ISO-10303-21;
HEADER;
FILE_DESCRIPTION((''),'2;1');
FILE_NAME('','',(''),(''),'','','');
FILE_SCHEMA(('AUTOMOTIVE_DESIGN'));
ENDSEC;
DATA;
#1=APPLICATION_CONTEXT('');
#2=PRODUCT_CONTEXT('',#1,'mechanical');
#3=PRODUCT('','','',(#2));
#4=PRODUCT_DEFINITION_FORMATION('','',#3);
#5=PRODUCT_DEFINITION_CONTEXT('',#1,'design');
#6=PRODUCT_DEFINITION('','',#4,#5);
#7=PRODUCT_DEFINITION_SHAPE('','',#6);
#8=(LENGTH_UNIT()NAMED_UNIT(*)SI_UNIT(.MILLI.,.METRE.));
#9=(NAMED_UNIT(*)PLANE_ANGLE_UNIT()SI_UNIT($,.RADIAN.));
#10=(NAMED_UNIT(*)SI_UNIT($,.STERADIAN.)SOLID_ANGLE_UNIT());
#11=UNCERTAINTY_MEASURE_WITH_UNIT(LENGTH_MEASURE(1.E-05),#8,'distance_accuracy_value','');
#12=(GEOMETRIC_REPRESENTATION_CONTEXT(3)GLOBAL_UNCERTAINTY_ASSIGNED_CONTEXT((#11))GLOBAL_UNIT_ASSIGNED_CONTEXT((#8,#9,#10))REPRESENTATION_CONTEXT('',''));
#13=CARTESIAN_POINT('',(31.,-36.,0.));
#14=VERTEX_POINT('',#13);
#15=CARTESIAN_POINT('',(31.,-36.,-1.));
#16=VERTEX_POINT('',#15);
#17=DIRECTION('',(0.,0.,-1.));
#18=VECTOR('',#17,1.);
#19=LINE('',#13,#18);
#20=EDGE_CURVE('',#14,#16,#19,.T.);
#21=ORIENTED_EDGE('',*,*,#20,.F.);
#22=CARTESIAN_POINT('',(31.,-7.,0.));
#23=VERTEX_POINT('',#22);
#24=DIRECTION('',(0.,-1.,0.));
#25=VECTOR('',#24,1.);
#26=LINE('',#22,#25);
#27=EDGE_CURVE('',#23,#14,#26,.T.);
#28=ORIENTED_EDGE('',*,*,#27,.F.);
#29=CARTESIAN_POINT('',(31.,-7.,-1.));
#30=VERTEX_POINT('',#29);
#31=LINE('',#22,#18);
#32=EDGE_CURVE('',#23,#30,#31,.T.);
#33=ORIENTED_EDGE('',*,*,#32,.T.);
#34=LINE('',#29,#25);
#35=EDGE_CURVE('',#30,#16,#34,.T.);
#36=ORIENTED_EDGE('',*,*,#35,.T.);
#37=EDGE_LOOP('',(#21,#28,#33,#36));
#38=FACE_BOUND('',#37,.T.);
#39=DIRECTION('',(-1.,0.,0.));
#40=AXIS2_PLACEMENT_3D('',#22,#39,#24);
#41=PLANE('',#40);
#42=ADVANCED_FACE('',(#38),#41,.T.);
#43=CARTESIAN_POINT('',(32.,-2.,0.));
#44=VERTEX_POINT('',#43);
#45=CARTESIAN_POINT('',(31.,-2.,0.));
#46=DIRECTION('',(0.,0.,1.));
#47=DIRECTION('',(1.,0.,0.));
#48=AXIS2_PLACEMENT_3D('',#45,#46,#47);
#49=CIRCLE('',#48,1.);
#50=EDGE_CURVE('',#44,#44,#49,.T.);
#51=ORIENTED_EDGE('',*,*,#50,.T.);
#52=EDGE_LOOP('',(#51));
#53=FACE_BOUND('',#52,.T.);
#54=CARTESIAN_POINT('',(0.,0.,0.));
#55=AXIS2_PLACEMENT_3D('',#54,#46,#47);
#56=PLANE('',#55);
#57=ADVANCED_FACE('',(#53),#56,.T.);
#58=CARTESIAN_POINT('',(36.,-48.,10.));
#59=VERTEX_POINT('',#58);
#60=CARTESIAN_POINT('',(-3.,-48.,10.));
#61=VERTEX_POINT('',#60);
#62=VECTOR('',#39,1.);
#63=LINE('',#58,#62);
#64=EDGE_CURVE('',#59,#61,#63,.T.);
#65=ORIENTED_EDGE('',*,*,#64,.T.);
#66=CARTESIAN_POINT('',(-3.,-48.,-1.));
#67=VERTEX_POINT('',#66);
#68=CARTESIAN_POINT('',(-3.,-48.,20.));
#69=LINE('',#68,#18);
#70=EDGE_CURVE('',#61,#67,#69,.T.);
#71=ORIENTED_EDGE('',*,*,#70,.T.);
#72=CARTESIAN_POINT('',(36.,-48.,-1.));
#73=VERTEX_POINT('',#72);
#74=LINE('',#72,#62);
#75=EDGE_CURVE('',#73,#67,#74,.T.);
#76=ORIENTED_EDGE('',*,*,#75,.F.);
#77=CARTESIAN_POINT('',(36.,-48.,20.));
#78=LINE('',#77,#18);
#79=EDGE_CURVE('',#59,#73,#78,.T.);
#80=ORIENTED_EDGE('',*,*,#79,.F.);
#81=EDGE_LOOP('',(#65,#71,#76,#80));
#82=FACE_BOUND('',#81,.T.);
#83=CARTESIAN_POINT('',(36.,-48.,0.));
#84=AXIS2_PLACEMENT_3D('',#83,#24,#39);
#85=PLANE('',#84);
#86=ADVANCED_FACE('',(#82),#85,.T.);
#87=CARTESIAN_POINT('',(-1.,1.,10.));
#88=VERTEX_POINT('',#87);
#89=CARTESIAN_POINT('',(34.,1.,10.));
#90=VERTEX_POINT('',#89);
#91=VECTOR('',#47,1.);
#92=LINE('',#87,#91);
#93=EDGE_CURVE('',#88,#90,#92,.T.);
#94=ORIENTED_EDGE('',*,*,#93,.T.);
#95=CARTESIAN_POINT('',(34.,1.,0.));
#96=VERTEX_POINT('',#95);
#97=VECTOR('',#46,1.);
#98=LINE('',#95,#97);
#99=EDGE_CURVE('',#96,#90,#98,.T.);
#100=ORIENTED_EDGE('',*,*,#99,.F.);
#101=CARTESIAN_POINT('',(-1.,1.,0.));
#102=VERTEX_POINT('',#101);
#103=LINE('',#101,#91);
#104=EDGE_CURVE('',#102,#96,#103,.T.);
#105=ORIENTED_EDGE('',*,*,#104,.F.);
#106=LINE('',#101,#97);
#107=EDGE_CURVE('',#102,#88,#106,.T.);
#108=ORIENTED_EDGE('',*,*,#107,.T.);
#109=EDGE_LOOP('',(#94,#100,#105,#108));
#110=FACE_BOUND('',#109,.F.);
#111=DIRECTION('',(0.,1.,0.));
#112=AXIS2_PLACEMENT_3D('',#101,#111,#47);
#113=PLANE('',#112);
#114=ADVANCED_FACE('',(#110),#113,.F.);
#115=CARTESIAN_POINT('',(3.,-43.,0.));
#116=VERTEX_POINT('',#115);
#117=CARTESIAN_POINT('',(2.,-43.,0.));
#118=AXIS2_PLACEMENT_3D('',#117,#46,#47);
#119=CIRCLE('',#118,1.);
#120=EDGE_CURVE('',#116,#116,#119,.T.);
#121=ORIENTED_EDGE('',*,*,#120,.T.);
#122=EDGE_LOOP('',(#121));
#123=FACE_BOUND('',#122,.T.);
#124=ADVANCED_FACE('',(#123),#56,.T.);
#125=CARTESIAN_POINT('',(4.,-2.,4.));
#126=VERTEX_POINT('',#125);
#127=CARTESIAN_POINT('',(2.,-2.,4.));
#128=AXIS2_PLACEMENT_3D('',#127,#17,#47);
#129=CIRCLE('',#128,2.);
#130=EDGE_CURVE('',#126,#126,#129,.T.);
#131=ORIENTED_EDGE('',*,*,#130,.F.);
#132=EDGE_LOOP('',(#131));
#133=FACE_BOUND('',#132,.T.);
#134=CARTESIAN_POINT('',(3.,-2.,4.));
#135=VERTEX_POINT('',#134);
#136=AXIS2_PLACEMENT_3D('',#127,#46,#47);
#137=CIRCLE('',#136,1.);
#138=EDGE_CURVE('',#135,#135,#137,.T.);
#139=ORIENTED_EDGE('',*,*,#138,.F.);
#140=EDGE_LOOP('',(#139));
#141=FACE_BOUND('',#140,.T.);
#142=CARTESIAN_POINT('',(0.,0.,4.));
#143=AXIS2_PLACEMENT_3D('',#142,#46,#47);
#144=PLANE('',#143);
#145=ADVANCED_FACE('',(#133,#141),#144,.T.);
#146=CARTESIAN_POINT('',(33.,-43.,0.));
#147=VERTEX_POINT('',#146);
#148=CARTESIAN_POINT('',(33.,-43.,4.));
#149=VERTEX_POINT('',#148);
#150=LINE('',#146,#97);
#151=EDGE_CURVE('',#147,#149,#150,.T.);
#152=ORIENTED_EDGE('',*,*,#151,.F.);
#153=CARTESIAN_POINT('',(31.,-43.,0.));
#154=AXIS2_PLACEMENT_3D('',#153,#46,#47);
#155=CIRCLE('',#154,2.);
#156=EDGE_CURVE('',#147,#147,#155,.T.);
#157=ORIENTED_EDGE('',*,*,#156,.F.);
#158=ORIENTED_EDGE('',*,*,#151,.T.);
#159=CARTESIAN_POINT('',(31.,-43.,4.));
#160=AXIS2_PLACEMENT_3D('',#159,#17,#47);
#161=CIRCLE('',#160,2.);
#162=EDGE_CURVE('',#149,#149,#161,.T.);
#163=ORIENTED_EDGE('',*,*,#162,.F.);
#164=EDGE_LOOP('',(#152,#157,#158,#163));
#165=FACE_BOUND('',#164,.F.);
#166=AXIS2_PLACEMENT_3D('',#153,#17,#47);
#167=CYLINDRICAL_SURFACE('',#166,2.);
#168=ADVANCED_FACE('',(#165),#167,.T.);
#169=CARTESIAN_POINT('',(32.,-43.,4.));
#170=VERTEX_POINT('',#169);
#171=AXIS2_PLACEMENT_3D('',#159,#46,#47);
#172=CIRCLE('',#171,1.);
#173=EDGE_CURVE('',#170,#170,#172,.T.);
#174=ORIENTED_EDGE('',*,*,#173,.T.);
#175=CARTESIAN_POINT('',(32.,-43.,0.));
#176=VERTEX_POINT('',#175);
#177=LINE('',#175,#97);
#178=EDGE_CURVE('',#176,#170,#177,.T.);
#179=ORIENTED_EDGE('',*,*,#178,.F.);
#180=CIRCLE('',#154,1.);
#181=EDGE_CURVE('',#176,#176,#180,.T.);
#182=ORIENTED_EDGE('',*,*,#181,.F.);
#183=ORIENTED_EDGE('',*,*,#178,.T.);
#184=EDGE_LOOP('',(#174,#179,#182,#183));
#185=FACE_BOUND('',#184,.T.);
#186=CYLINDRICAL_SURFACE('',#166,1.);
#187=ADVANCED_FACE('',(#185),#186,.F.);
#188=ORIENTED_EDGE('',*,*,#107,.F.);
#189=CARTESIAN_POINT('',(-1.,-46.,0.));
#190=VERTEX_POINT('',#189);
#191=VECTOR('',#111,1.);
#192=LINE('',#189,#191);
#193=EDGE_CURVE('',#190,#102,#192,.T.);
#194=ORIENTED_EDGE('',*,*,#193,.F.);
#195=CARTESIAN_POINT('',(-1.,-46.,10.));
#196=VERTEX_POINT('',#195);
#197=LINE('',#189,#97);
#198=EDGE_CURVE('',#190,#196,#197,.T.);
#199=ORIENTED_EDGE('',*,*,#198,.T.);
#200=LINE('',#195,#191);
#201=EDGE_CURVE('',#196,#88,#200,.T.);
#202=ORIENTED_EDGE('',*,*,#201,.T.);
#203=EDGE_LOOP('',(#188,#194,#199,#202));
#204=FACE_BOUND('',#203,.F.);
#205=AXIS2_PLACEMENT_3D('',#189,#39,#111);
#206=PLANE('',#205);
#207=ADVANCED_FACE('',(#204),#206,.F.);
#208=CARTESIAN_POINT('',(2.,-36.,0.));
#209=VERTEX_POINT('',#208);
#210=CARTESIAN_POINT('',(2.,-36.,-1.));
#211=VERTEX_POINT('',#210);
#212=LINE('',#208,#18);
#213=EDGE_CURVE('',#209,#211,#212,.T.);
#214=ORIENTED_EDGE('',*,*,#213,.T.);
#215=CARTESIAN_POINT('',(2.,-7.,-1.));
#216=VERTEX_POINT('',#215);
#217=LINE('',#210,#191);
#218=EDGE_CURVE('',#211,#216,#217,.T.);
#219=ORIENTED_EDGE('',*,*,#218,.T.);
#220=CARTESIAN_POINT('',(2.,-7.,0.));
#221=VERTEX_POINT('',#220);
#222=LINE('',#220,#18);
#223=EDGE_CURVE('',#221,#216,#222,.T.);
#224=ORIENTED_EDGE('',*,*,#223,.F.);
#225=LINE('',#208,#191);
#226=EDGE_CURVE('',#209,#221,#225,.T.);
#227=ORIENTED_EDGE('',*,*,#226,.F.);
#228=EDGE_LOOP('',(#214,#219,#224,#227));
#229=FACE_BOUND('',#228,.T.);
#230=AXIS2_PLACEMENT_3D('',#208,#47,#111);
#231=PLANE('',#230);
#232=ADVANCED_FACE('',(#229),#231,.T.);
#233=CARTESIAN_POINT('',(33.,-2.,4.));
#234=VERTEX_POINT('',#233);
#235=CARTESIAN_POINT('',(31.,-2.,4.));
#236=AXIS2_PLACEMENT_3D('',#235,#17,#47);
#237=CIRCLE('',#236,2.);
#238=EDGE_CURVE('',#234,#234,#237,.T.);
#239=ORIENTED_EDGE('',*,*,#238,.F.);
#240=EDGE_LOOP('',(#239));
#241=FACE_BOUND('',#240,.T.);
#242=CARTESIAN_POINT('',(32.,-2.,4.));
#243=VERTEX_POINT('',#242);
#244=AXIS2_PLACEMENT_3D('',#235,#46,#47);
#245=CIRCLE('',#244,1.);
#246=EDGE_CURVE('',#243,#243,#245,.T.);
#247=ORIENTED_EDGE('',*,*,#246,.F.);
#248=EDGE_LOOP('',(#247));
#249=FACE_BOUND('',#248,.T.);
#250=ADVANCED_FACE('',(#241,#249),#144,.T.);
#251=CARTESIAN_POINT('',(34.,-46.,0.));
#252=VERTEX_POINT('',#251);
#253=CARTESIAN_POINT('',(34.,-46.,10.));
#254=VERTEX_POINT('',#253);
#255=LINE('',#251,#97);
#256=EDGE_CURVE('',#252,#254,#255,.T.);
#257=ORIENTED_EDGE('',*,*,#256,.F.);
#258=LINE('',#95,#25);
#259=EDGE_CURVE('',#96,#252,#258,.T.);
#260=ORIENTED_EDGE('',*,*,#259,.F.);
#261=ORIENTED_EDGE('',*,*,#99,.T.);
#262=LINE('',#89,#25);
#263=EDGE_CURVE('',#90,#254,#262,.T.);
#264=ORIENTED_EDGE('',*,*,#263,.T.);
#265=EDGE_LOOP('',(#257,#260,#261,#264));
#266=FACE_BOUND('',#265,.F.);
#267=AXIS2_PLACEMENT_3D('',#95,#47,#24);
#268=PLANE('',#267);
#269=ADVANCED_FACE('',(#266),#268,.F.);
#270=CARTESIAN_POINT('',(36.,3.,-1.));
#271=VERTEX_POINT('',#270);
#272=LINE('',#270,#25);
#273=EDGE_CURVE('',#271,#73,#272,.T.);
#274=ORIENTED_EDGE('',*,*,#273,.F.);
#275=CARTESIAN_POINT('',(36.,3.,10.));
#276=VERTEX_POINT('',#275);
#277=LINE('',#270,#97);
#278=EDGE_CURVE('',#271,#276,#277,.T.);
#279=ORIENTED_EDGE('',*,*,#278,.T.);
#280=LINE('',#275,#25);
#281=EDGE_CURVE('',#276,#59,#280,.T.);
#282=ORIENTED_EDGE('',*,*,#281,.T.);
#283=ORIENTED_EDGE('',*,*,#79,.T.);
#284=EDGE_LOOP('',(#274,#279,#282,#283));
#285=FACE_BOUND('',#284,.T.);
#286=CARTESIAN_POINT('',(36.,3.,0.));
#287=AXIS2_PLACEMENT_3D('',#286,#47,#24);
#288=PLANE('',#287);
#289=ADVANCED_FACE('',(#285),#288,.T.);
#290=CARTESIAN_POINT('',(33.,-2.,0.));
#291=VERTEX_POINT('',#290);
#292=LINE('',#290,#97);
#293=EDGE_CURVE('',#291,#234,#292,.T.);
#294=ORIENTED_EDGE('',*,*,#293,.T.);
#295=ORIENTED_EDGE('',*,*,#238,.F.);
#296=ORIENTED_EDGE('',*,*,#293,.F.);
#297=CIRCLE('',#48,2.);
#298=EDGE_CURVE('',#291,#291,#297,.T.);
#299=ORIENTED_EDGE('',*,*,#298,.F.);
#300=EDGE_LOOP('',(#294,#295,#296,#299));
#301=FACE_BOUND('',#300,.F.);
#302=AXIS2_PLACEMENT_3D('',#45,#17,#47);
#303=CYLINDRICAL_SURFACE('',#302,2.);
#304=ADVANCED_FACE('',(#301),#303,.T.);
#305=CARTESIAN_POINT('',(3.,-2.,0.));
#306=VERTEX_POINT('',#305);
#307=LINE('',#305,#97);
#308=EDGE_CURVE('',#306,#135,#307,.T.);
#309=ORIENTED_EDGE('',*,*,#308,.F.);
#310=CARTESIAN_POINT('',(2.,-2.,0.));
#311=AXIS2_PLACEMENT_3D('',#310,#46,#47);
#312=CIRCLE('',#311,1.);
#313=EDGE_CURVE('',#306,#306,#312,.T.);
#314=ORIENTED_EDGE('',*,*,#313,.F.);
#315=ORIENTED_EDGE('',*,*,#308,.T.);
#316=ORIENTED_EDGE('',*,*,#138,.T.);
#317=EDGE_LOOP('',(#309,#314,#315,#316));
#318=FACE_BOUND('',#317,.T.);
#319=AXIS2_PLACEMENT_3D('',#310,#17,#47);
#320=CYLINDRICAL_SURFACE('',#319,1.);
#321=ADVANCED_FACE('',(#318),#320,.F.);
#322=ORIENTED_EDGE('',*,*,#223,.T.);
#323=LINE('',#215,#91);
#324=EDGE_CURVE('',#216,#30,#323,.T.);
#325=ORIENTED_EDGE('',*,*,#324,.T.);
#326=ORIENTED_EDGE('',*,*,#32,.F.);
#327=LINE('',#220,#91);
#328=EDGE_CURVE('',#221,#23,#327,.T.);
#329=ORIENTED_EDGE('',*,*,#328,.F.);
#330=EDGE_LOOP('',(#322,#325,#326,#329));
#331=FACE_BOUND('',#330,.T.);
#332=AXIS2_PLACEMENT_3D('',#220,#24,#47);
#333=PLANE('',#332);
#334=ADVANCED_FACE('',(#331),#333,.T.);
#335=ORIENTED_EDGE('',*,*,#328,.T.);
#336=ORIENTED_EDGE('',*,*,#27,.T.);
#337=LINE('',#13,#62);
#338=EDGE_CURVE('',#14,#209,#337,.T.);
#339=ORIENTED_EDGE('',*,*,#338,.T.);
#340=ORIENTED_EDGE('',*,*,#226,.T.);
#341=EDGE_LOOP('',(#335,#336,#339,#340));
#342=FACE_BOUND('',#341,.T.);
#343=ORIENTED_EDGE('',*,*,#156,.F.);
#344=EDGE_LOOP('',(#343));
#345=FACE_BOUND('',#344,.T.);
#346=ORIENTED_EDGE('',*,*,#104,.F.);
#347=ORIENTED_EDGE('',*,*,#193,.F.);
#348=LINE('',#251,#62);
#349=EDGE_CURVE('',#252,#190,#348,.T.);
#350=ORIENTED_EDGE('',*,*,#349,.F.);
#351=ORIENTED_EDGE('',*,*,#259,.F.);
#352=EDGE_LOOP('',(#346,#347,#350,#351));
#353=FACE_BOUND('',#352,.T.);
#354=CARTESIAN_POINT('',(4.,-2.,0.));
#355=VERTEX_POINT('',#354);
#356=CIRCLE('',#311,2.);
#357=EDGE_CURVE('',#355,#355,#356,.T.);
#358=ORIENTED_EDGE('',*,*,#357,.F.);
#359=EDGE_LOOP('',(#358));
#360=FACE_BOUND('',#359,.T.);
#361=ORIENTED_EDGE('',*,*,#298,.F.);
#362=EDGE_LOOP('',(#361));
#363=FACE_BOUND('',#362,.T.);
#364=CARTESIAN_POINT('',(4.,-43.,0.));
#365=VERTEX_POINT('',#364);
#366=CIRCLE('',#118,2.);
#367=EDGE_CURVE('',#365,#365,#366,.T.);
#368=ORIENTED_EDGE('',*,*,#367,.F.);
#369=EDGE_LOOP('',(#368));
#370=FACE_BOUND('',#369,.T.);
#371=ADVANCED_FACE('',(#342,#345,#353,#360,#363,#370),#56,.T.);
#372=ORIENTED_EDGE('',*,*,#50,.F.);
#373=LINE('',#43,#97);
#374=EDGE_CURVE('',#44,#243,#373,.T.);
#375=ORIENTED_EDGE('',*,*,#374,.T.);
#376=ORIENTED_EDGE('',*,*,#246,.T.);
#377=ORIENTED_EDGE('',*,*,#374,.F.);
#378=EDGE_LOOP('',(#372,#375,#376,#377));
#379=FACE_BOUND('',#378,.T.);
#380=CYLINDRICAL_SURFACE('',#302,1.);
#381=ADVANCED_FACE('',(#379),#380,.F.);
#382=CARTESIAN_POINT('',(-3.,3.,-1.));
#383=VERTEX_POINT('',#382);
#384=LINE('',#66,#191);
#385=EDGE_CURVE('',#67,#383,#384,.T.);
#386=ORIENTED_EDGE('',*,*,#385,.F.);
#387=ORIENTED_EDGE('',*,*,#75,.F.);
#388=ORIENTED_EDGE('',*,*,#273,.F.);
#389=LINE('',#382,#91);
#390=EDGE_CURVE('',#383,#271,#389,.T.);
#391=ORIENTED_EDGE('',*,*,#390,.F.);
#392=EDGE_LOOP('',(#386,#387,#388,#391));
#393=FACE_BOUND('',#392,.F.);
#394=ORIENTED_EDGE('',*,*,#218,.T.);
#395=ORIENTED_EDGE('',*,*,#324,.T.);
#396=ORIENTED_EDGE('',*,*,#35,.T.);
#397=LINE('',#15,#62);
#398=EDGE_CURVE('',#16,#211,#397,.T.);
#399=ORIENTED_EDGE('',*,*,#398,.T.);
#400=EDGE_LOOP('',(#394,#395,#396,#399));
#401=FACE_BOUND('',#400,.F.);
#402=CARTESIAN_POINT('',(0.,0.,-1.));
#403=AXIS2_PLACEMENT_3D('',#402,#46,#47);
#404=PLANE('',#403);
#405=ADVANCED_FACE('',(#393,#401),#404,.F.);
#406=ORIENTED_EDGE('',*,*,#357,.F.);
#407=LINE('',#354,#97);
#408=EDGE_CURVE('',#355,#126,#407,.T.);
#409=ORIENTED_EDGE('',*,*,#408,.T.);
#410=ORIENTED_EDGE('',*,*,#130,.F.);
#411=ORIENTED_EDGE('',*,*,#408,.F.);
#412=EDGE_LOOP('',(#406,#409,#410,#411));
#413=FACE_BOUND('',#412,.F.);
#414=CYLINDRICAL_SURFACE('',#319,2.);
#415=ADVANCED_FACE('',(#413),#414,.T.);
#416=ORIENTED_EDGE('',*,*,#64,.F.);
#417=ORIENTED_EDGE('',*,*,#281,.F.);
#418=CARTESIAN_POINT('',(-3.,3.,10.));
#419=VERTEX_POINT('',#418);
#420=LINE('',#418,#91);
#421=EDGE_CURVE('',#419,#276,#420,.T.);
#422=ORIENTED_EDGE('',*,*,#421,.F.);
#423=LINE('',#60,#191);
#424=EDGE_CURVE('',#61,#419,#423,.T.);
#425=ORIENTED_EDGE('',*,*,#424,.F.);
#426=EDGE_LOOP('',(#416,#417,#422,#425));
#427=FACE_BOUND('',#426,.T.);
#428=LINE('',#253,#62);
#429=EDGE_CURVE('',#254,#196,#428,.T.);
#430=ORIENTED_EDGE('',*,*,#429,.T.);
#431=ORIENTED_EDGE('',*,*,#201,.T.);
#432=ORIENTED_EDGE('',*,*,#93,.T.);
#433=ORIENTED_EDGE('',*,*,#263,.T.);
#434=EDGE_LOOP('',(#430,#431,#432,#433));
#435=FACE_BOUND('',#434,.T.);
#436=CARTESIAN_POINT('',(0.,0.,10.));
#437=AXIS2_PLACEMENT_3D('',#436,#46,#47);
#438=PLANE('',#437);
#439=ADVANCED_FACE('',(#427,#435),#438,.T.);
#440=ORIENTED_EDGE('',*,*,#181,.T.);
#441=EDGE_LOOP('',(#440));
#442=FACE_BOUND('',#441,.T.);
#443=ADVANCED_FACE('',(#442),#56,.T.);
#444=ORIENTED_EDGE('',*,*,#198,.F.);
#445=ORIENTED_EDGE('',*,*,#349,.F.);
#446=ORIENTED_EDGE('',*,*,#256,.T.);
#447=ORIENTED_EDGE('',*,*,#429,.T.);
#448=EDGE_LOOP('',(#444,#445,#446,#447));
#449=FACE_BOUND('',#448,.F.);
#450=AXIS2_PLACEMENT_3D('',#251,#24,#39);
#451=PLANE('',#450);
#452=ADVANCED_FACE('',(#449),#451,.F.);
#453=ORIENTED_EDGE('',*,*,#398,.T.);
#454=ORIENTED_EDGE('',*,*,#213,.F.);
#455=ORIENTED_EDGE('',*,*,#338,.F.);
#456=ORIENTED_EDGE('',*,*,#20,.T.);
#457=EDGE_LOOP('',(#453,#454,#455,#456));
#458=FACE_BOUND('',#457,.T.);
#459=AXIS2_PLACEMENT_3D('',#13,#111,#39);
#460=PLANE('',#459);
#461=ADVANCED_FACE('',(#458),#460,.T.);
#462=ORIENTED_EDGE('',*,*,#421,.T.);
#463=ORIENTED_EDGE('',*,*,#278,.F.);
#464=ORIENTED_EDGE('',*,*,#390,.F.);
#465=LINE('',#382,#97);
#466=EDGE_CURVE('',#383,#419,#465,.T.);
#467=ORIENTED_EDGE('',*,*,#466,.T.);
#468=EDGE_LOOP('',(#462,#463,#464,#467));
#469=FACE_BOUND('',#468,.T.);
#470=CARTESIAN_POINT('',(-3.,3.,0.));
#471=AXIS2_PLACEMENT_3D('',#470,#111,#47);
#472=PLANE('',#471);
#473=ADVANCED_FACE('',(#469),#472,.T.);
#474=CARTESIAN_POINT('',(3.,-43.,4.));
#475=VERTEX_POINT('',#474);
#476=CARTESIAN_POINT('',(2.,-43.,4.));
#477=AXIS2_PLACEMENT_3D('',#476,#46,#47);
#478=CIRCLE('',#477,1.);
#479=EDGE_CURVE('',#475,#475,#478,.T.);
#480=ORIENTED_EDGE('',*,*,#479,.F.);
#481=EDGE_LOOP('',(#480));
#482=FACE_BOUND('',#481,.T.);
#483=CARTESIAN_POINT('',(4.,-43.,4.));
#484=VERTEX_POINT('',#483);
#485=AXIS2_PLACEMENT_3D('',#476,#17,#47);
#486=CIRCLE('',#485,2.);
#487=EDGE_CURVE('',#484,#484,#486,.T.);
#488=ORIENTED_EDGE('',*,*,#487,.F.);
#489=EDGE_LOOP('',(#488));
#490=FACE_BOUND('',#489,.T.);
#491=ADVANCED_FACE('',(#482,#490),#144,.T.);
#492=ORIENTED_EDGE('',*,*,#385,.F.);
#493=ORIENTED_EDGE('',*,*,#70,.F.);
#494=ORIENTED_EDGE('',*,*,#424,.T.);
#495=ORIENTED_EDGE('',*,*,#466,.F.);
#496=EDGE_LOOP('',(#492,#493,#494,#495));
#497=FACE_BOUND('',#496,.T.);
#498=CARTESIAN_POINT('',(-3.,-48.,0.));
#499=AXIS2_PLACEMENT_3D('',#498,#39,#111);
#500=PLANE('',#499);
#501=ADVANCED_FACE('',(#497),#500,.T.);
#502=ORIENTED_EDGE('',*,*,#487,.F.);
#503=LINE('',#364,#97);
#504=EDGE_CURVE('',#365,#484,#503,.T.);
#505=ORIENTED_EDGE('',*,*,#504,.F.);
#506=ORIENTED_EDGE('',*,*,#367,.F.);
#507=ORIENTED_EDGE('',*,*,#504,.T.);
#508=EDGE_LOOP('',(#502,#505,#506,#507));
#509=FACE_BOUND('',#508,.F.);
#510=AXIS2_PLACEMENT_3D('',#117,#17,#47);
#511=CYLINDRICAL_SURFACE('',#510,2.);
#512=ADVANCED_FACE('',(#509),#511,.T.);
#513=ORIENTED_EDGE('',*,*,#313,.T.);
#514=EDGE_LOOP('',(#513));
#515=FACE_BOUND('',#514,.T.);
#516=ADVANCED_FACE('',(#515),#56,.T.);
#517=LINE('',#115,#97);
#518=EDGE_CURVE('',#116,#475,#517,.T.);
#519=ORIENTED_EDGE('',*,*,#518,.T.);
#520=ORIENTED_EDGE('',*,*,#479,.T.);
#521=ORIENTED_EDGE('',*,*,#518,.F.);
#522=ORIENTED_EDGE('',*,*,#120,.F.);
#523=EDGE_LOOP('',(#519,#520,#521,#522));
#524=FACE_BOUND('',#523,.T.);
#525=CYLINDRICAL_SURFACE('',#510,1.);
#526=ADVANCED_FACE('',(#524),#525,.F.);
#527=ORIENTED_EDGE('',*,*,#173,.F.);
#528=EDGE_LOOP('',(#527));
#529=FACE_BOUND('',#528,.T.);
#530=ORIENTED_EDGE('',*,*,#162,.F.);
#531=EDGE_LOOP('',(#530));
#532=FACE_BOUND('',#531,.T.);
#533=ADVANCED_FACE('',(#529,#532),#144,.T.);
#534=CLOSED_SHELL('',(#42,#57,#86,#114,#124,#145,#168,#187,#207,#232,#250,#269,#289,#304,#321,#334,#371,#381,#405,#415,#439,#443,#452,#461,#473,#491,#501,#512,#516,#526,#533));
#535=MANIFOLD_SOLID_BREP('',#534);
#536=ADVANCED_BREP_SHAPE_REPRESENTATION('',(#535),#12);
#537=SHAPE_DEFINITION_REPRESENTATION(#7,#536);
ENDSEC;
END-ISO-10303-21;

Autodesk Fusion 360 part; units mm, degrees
sketch "Sketch1" plane through (0, 0, 0) normal (0, 0, 1) x (1, 0, 0)
  line L0 (0, 0) -> (33, 0)
  line L1 (33, 0) -> (33, -45)
  line L2 (33, -45) -> (0, -45)
  line L3 (0, -45) -> (0, 0)
  circle A0 centre (31, -2) radius 1
  circle A1 centre (2, -2) radius 1
  circle A2 centre (2, -43) radius 1
  circle A3 centre (31, -43) radius 1
  line L4 (34, 1) -> (34, -46)
  line L5 (34, -46) -> (-1, -46)
  line L6 (-1, -46) -> (-1, 1)
  line L7 (-1, 1) -> (34, 1)
  line L8 (36, 3) -> (36, -48)
  line L9 (36, -48) -> (-3, -48)
  line L10 (-3, -48) -> (-3, 3)
  line L11 (-3, 3) -> (36, 3)
  circle A4 centre (31, -2) radius 2
  circle A5 centre (31, -43) radius 2
  circle A6 centre (2, -43) radius 2
  circle A7 centre (2, -2) radius 2
  line L12 (31, -36) -> (2, -36)
  line L13 (2, -36) -> (2, -7)
  line L14 (2, -7) -> (31, -7)
  line L15 (31, -7) -> (31, -36)
extrude "Extrude1" add sketch "Sketch1" along normal blind 20 contours L8 L9 L10 L11 makes body 1
extrude "Extrude2" add sketch "Sketch1" along normal blind 4 separate body contours A7 | A4 | A6 | A5 makes body 2 at (32.9975, -43.0997, 1.3333) makes body 3 at (0.6766, -41.5004, 2.6667) makes body 4 at (32.9975, -2.0997, 1.3333) makes body 5 at (3.9975, -2.0997, 1.3333)
extrude "Extrude3" add sketch "Sketch1" against normal blind 1 contours L0 L3 A7 | L0 L1 L2 L3 A4 A5 A6 A7 | A7 | L0 L1 A4 | A4 | L2 L3 A6 | A6 | A5 | L1 L2 A5 | A0 | A1 | A2 | A3 | L4 L5 L6 L7 | L8 L9 L10 L11 bodies 1 2 3 4 5
extrude "Extrude4" cut 1 faces at (35.3333, -30.3333, 20) along direction (0, 0, -1) blind 10 on bodies 1 bodies 1
